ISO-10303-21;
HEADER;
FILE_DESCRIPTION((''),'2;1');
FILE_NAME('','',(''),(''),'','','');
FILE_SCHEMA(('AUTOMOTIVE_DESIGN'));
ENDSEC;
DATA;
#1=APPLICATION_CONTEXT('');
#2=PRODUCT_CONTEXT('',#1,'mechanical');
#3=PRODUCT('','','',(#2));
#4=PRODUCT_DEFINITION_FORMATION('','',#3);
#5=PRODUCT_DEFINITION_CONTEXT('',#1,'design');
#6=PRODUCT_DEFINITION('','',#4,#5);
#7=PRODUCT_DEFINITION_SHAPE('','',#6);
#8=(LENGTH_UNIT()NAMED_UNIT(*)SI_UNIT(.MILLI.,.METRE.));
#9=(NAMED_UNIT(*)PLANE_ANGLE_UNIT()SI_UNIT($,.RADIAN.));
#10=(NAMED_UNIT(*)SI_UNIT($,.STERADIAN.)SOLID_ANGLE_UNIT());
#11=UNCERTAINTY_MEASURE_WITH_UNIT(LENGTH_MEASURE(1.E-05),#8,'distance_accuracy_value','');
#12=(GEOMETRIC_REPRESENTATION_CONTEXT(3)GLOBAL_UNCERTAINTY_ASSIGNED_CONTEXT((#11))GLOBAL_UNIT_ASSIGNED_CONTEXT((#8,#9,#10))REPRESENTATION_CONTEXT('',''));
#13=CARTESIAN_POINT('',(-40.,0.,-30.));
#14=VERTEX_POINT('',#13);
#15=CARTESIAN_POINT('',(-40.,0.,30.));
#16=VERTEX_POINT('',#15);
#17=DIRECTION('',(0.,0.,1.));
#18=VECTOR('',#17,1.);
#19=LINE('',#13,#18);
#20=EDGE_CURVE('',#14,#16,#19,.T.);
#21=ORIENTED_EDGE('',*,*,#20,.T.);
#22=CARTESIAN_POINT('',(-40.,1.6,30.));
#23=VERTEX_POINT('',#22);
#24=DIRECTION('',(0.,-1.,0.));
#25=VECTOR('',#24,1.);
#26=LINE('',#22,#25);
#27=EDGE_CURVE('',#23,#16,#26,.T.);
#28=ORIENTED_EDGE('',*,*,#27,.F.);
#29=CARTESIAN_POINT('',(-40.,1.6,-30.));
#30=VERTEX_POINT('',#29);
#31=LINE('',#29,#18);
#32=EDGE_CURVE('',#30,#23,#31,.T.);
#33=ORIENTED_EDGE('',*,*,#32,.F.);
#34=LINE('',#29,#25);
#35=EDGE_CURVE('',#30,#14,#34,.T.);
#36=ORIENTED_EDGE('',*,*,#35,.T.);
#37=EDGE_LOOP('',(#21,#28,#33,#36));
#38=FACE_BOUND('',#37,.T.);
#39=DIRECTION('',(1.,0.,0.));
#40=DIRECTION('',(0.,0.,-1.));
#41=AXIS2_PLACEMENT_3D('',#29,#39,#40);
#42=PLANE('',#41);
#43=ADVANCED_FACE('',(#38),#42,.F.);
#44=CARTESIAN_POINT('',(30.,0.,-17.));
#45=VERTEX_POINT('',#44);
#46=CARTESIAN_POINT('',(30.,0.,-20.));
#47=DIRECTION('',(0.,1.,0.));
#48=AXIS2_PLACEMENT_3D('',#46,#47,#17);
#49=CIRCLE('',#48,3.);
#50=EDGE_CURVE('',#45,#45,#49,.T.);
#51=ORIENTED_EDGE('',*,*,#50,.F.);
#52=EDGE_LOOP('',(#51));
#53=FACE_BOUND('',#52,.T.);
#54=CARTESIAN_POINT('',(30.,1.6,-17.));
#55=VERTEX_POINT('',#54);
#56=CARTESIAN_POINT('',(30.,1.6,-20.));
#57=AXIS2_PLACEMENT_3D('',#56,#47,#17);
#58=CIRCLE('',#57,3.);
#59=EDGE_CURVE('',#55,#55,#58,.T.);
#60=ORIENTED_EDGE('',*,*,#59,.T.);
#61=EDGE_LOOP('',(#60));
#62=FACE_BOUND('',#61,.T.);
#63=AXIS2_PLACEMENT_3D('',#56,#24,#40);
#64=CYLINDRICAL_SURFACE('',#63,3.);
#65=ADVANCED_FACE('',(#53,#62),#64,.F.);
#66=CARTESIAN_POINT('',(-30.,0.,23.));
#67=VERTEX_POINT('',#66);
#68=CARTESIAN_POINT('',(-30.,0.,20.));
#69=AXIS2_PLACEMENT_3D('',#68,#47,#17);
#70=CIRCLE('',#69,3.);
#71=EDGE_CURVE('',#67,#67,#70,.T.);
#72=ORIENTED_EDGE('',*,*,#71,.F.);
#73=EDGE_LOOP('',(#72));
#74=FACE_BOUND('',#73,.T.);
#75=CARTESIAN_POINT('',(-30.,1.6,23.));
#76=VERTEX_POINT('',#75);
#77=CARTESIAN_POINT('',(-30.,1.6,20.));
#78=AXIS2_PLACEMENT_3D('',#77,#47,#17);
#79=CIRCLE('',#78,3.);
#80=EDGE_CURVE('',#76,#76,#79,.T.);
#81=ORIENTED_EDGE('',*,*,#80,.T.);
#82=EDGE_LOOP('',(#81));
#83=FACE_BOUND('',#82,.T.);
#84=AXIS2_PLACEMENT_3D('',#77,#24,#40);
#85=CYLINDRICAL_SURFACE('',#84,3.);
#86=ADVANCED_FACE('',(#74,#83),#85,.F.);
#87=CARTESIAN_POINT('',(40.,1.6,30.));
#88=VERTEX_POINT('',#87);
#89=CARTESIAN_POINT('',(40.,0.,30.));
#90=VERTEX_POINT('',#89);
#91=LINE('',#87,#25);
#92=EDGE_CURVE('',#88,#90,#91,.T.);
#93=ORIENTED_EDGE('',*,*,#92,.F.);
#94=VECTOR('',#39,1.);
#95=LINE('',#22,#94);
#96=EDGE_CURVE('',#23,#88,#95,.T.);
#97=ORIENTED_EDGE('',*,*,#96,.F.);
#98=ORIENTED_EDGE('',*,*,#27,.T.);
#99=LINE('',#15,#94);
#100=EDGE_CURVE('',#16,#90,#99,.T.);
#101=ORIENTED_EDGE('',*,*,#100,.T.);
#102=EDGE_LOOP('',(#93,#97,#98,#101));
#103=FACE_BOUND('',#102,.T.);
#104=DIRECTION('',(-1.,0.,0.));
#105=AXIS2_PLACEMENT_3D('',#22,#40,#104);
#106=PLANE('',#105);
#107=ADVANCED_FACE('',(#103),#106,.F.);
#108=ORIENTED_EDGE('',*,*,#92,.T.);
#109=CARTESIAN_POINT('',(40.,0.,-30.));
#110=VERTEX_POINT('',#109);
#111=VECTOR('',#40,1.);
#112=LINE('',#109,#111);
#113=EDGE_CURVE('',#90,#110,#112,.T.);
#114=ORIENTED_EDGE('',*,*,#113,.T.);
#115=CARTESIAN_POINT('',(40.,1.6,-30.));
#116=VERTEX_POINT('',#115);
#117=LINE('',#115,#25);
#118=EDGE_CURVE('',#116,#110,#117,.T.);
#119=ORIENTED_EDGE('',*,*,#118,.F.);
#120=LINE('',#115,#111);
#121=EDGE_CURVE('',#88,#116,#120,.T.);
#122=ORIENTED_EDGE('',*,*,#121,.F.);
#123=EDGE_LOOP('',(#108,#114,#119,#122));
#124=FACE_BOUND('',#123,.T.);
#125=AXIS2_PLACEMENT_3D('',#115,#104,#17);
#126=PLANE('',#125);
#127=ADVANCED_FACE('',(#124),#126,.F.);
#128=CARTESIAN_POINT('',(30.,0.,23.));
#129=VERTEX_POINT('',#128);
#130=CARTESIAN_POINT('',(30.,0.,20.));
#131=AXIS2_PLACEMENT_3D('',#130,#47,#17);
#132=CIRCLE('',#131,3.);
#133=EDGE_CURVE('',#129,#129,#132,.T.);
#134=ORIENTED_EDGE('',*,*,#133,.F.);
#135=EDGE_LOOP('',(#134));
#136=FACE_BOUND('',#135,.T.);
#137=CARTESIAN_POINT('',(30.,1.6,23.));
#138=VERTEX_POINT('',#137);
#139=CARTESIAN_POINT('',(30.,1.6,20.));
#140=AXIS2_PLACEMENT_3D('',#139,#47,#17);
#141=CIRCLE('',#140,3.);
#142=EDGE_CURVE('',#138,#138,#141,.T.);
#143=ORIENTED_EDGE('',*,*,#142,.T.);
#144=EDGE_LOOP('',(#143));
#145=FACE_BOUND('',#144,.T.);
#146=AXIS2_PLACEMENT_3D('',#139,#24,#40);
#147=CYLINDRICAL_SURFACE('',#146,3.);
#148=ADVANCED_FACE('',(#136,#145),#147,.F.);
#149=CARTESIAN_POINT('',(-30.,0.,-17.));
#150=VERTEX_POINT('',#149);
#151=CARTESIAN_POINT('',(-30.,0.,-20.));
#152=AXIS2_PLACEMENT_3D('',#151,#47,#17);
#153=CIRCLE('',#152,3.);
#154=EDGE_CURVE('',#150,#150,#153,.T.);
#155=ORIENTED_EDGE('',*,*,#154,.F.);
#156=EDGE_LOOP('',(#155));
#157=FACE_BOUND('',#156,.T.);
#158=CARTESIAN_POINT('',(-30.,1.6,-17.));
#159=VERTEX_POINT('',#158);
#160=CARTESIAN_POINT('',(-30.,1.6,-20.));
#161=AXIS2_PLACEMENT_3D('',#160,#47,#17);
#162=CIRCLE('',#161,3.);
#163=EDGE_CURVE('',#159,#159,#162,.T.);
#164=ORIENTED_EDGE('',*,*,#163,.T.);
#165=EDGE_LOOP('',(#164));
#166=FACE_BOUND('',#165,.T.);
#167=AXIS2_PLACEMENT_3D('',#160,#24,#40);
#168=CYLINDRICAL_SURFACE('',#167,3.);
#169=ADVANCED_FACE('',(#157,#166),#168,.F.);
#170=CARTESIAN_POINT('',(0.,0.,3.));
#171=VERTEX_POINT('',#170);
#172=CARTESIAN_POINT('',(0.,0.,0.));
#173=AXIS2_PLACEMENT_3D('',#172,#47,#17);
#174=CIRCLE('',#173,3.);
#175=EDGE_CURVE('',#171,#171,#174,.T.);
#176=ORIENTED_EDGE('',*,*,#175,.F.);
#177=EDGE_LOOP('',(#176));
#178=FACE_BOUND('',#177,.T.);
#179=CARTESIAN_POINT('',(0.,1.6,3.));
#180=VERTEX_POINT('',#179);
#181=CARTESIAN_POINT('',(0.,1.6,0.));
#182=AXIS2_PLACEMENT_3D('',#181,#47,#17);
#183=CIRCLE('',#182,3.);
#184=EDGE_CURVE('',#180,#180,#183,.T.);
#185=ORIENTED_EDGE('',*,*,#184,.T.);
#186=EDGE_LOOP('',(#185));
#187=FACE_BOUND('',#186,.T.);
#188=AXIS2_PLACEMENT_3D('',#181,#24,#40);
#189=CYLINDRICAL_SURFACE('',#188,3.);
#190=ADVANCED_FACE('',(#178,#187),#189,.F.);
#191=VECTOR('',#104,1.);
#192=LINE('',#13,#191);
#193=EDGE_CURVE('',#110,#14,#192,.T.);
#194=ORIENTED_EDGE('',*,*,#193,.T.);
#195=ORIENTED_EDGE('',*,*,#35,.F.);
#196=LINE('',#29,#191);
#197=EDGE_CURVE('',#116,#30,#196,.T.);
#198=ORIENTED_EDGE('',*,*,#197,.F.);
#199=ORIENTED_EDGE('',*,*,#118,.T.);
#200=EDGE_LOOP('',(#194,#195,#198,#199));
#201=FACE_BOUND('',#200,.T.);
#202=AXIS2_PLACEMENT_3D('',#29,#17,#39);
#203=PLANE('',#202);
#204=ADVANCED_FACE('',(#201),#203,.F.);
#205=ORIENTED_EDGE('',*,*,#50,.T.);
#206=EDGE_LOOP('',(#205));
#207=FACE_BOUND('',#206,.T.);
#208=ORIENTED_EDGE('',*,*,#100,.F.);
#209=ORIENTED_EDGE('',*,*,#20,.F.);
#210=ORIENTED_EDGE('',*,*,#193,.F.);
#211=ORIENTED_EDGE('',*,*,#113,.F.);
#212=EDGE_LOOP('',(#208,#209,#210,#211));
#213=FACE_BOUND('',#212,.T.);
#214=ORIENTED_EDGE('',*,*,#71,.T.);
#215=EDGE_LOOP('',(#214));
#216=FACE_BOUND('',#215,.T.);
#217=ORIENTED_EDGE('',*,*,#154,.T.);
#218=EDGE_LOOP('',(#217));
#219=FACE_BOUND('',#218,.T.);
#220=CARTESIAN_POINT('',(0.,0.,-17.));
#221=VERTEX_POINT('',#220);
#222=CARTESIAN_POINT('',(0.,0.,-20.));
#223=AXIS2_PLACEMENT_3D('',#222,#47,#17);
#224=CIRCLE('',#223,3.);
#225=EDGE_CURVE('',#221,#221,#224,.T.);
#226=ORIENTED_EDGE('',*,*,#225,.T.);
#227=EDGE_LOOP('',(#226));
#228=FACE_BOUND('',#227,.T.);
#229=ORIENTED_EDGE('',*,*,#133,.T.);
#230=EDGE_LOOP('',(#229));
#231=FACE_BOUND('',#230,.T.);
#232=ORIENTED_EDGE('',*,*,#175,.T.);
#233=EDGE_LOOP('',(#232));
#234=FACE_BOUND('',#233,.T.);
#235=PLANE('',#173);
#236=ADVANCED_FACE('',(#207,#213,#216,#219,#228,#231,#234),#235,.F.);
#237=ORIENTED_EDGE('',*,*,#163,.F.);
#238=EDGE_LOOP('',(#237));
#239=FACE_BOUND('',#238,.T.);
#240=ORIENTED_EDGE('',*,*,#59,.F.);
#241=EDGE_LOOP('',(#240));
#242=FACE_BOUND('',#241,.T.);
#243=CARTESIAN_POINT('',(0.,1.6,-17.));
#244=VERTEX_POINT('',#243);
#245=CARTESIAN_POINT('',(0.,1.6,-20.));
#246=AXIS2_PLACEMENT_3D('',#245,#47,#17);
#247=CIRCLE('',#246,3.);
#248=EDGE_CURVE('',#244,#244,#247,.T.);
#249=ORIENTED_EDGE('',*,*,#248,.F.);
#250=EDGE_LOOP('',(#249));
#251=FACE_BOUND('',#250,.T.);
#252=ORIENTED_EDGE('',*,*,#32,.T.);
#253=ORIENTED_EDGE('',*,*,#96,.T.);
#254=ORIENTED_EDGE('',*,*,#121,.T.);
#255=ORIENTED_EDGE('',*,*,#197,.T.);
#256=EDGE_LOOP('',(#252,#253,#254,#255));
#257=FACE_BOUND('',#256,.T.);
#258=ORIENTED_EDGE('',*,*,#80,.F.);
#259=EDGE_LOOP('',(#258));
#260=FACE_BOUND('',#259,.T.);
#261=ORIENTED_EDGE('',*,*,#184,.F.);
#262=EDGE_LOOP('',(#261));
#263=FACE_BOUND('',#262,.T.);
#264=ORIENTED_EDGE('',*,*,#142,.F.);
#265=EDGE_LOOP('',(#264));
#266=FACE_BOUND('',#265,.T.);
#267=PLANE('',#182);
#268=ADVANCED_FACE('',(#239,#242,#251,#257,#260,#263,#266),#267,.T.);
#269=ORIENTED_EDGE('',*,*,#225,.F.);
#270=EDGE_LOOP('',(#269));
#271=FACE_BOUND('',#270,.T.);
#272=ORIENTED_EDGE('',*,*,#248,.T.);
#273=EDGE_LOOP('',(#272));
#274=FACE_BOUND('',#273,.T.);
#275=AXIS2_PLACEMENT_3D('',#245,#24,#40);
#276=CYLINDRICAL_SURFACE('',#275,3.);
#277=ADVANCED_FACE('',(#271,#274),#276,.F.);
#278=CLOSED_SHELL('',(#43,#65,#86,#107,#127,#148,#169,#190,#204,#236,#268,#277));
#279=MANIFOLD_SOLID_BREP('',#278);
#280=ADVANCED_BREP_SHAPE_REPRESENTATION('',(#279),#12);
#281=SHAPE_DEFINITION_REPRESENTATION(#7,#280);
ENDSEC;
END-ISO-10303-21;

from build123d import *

# Parameters (mm, degrees)
SKETCH_1_W      = 80
SKETCH_1_H      = 60
SKETCH_1_R      = 3
EXTRUDE_1_DEPTH = 1.6


with BuildPart() as part:
    # 草图1 → 凸台-拉伸1 (new body)
    with BuildSketch(Plane(origin=(0, 0, 0), x_dir=(1, 0, 0), z_dir=(0, 1, 0))):
        Rectangle(SKETCH_1_W, SKETCH_1_H)
        with Locations(Location((-30, 20, 0), (0, 0, 270))):
            Circle(SKETCH_1_R, mode=Mode.SUBTRACT)
        with Locations(Location((-30, -20, 0), (0, 0, 270))):
            Circle(SKETCH_1_R, mode=Mode.SUBTRACT)
        with Locations(Location((30, -20, 0), (0, 0, 270))):
            Circle(SKETCH_1_R, mode=Mode.SUBTRACT)
        with Locations(Location((30, 20, 0), (0, 0, 270))):
            Circle(SKETCH_1_R, mode=Mode.SUBTRACT)
        with Locations(Location((0, 20, 0), (0, 0, 270))):
            Circle(SKETCH_1_R, mode=Mode.SUBTRACT)
        with Locations(Location((0, 0, 0), (0, 0, 270))):
            Circle(SKETCH_1_R, mode=Mode.SUBTRACT)
    extrude(amount=EXTRUDE_1_DEPTH)


solid = part.part
